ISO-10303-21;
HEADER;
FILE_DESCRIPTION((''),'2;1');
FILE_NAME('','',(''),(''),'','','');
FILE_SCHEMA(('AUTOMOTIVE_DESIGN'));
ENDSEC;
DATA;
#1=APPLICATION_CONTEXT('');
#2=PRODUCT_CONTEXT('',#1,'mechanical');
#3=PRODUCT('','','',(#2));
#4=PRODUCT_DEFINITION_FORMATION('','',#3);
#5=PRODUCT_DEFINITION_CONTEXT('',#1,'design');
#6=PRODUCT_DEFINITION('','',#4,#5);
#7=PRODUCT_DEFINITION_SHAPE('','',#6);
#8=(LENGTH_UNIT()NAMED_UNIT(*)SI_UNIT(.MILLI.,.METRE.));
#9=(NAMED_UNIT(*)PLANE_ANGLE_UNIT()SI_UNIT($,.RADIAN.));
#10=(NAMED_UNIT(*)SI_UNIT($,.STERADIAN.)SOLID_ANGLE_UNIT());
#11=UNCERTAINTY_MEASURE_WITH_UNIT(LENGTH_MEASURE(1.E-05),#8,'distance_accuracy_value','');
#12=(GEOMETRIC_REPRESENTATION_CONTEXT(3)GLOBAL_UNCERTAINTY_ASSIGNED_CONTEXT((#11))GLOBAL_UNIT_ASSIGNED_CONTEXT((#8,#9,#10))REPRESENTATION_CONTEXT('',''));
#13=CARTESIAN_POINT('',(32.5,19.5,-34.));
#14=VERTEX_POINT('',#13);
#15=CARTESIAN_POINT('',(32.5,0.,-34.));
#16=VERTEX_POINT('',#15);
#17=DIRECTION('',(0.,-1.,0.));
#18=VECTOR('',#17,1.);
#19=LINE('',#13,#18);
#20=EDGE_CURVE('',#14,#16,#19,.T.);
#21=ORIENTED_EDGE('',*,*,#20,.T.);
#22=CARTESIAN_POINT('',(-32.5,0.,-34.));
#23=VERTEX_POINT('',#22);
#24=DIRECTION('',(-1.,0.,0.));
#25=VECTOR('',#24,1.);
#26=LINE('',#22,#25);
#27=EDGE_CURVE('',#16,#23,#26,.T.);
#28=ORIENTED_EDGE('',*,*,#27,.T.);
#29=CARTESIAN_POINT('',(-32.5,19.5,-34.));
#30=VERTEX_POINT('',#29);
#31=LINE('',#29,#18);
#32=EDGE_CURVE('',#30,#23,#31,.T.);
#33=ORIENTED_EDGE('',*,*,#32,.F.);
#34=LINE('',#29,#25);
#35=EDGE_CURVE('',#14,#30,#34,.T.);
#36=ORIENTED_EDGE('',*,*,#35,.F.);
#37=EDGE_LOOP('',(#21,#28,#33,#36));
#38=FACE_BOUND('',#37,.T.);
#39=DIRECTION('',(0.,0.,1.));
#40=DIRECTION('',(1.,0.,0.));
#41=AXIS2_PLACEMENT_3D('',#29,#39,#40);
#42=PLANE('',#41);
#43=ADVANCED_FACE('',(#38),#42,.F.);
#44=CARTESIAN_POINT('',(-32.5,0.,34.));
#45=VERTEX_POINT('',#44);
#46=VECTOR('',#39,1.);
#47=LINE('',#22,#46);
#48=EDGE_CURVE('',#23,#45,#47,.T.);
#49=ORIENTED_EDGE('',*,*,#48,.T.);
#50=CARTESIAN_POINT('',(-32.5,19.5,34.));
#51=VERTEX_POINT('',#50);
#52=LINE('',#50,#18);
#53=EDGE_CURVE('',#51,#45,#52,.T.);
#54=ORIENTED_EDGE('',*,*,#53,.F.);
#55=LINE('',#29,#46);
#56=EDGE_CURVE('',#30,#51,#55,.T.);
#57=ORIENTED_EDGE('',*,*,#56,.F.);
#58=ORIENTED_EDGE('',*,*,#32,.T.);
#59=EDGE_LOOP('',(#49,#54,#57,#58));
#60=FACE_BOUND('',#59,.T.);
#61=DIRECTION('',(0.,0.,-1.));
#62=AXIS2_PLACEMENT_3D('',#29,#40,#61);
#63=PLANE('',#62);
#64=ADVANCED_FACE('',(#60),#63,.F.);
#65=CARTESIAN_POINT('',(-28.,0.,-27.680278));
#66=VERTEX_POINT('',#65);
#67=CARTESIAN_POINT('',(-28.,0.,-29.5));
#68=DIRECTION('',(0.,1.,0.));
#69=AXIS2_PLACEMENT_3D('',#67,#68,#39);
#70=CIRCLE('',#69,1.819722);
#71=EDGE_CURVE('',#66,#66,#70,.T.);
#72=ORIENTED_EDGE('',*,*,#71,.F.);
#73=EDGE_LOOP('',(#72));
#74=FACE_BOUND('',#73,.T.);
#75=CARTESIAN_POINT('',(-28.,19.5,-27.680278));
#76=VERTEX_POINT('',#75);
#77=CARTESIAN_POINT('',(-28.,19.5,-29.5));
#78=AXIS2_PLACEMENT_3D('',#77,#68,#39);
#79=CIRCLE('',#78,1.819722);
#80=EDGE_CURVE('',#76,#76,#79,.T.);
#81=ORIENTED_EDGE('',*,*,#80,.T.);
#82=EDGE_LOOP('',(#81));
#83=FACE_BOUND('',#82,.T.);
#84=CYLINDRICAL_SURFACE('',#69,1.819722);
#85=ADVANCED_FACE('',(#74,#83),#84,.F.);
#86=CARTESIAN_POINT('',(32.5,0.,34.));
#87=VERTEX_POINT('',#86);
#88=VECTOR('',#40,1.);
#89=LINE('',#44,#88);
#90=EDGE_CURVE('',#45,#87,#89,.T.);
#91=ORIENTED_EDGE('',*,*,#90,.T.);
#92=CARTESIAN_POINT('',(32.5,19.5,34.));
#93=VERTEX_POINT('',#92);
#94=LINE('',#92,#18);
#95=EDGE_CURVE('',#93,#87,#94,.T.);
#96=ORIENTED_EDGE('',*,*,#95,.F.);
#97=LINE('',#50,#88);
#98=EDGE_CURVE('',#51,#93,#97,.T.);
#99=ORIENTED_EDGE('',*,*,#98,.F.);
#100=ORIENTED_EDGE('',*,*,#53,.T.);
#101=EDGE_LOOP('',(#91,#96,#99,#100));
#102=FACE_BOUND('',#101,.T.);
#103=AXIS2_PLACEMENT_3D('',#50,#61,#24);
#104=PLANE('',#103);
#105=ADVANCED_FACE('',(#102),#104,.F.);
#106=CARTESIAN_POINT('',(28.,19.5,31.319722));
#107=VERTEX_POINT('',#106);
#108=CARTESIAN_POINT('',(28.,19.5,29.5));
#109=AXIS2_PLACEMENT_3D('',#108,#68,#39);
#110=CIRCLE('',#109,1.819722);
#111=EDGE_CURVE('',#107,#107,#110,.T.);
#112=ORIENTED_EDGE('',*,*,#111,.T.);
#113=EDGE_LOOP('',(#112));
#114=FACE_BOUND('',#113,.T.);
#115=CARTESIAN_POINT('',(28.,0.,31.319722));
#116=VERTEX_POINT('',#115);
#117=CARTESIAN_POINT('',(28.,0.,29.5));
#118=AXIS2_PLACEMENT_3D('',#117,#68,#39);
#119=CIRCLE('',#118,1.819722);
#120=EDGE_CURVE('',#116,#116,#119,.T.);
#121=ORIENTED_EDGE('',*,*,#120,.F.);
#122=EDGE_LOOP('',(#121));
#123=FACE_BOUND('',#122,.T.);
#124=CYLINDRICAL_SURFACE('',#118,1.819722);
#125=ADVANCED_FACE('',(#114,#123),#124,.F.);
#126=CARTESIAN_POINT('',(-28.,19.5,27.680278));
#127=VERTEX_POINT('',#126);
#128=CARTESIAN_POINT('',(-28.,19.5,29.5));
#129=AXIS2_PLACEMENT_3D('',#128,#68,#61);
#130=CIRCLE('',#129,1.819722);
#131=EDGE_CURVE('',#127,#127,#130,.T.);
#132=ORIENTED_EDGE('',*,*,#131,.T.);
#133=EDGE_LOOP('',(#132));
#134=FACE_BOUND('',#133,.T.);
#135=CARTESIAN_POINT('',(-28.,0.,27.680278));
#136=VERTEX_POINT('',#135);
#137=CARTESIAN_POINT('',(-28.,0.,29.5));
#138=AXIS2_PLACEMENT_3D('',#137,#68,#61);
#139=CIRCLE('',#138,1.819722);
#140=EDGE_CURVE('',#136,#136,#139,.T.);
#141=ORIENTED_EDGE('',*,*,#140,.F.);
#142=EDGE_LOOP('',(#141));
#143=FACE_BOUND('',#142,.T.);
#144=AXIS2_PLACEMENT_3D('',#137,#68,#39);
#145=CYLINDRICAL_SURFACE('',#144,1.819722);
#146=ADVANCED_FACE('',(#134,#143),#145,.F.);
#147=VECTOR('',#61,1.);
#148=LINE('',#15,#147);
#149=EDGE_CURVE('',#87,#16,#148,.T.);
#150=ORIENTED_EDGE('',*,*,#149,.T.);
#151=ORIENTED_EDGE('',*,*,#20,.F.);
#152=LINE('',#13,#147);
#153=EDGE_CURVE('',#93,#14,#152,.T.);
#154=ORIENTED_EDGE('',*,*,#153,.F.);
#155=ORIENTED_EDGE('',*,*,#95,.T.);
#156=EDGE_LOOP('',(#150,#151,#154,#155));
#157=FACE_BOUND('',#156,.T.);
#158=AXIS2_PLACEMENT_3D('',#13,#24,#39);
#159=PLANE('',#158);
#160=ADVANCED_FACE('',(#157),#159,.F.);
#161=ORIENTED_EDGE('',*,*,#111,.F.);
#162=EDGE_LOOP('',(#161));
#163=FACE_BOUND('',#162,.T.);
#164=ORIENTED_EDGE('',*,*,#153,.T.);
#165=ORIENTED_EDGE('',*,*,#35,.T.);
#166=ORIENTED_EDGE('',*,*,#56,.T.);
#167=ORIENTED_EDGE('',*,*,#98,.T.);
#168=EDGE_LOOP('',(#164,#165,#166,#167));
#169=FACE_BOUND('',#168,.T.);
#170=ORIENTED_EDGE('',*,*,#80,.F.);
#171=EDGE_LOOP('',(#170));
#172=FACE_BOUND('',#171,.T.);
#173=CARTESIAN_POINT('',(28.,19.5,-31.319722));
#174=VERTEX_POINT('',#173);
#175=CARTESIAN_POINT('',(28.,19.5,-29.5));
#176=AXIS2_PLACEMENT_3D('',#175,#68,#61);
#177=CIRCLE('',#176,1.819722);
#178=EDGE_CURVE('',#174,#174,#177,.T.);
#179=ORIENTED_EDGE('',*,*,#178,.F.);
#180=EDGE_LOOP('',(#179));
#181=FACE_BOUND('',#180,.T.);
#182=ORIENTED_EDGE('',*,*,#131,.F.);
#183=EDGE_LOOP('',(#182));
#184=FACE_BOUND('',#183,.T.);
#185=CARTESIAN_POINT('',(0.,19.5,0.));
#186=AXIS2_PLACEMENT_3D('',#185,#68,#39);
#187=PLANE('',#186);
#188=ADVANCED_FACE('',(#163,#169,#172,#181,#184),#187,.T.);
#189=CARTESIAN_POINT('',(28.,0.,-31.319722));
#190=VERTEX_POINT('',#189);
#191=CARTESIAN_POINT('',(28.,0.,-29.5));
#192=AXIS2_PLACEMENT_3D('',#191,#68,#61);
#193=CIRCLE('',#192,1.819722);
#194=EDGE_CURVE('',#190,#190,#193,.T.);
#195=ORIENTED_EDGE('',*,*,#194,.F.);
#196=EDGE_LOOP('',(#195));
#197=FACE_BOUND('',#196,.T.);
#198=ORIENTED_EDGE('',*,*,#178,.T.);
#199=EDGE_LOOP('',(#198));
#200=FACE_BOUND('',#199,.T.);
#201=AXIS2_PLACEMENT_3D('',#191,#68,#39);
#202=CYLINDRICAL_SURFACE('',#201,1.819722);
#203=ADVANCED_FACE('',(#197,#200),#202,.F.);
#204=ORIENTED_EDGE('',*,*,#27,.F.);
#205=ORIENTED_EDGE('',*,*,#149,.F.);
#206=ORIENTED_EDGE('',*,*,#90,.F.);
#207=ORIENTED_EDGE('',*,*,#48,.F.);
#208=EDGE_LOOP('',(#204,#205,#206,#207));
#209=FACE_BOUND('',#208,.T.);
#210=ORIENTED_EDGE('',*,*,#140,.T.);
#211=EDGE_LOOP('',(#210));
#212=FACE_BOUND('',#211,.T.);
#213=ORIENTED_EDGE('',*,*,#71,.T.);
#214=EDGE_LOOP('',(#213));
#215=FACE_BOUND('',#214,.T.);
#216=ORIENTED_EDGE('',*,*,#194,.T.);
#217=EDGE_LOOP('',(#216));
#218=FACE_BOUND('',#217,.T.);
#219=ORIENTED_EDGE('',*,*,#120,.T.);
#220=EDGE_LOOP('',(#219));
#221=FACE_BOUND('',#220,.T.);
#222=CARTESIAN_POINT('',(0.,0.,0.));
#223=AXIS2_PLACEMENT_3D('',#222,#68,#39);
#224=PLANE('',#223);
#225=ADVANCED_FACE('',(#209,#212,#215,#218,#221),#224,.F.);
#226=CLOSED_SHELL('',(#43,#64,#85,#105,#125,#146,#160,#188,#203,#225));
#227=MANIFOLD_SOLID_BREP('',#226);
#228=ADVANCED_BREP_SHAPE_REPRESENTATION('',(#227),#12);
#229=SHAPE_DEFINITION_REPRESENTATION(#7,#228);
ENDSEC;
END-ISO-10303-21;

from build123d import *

# Parameters (mm, degrees)
SKETCH1_W           = 65
SKETCH1_H           = 68
BOSS_EXTRUDE1_DEPTH = 19.5
SKETCH2_R           = 1.819722277
CUT_EXTRUDE1_DEPTH  = 51.916598472


with BuildPart() as part:
    # Sketch1 → Boss-Extrude1 (new body)
    with BuildSketch(Plane(origin=(0, 0, 0), x_dir=(1, 0, 0), z_dir=(0, 1, 0))):
        Rectangle(SKETCH1_W, SKETCH1_H)
    extrude(amount=BOSS_EXTRUDE1_DEPTH)

    # Sketch2 → Cut-Extrude1 (cut, through all)
    with BuildSketch(Plane(origin=(0, 19.5, 0), x_dir=(1, 0, 0), z_dir=(0, 1, 0))):
        with Locations(Location((28, -29.5, 0), (0, 0, 270))):
            Circle(SKETCH2_R)
        with Locations(Location((-28, -29.5, 0), (0, 0, 90))):
            Circle(SKETCH2_R)
        with Locations(Location((28, 29.5, 0), (0, 0, 90))):
            Circle(SKETCH2_R)
        with Locations(Location((-28, 29.5, 0), (0, 0, 270))):
            Circle(SKETCH2_R)
    extrude(amount=-CUT_EXTRUDE1_DEPTH, mode=Mode.SUBTRACT)


solid = part.part
